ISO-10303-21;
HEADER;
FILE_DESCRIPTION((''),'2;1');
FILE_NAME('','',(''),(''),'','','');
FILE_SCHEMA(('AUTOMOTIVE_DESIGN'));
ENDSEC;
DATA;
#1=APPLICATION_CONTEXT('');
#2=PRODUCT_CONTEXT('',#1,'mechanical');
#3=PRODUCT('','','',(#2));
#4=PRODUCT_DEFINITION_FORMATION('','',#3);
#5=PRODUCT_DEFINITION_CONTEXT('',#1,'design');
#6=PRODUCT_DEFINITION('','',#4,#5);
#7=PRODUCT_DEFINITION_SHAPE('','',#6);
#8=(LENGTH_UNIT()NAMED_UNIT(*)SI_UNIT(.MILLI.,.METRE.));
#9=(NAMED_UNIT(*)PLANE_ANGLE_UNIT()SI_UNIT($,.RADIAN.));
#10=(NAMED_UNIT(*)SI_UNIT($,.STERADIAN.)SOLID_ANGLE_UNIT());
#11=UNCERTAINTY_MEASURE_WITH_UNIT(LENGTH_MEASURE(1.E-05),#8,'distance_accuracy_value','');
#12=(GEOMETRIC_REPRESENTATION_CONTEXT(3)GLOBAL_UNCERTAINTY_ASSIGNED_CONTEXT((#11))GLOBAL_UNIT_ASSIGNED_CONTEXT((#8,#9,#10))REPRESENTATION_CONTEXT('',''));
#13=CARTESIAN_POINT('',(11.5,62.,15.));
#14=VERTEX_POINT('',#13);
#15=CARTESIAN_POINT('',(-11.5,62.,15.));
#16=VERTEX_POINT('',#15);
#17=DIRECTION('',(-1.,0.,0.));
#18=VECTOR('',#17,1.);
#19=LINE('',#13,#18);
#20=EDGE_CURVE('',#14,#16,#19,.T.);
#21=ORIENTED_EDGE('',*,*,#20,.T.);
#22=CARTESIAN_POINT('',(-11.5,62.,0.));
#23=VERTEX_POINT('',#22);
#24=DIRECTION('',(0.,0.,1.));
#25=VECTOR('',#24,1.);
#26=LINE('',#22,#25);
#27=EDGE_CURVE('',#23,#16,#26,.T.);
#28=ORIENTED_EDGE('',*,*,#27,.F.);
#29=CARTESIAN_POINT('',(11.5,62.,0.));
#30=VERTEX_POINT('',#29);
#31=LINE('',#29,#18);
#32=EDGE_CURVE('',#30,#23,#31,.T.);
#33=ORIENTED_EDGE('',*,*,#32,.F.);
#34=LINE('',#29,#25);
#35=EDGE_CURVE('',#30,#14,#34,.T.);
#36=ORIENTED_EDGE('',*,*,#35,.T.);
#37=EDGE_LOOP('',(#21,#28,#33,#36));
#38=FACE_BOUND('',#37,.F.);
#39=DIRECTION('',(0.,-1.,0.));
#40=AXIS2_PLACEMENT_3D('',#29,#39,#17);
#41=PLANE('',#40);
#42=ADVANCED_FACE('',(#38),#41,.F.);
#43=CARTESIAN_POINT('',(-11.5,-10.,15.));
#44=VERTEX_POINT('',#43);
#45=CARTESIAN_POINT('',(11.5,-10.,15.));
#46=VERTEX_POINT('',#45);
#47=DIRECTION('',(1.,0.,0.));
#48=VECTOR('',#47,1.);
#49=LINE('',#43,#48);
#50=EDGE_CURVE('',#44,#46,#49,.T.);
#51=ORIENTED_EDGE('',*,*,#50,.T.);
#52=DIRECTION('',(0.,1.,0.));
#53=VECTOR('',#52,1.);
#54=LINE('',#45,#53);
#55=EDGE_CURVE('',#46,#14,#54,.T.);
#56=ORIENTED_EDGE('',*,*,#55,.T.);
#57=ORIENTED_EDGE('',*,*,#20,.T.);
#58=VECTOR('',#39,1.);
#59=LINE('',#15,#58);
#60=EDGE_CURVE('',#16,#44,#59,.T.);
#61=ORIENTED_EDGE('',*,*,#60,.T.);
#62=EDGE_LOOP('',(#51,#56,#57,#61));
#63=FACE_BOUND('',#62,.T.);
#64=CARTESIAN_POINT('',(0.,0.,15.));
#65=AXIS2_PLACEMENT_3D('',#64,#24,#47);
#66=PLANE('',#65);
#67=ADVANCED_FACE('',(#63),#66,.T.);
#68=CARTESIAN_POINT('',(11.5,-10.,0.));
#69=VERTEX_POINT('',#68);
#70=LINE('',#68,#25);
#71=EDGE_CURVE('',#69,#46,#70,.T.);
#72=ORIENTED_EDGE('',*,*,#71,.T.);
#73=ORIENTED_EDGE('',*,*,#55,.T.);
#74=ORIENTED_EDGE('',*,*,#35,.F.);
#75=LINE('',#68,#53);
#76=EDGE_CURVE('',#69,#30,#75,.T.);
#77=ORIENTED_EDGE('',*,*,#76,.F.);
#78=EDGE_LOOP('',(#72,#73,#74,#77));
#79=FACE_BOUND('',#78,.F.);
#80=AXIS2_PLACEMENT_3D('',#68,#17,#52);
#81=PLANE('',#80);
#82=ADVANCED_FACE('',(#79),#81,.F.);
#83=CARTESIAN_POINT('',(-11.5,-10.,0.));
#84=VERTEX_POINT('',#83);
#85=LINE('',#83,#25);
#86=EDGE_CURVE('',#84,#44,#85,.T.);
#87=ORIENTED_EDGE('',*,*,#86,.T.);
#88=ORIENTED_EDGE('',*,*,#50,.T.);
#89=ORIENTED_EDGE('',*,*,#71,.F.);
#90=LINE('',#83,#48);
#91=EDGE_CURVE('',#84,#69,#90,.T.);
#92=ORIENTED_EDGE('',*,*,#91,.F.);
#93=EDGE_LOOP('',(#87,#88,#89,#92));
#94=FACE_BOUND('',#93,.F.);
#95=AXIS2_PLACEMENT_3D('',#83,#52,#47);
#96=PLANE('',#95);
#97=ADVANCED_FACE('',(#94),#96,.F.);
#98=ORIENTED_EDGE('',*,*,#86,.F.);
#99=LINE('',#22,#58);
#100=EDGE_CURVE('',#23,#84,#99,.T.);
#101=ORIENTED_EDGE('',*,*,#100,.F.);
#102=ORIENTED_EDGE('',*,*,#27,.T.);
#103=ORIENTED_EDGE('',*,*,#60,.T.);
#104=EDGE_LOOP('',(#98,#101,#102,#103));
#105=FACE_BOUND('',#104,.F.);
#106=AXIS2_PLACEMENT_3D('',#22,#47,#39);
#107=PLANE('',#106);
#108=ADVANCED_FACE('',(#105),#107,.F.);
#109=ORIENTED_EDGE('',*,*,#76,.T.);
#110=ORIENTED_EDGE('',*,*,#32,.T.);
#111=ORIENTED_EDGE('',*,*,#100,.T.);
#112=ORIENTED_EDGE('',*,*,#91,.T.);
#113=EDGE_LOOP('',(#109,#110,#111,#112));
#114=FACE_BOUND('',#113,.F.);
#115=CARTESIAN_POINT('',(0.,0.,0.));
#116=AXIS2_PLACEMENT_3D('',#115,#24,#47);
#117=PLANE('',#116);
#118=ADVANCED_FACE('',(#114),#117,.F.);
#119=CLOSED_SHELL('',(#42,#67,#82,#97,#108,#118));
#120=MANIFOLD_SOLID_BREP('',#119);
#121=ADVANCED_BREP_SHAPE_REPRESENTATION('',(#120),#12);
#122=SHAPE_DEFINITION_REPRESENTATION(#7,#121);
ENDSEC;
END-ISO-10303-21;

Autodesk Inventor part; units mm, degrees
ref_plane "YZ Plane" through (0, 0, 0) normal (1, 0, 0) x (0, 1, 0)
ref_plane "XZ Plane" through (0, 0, 0) normal (0, 1, 0) x (-1, 0, 0)
ref_plane "XY Plane" through (0, 0, 0) normal (0, 0, 1) x (1, 0, 0)
sketch "Sketch1" plane through (0, 0, 0) normal (0, 0, 1) x (1, 0, 0)
  line L0 (-11.5, -10) -> (11.5, -10)
  line L1 (11.5, -10) -> (11.5, 62)
  line L2 (11.5, 62) -> (-11.5, 62)
  line L3 (-11.5, 62) -> (-11.5, -10)
  circle A0 centre (0, 0) radius 2.5
  point P0 (0, -10)
  dimension "d0" = 10
  dimension "d1" = 5
  dimension "d2" = 23
  dimension "d3" = 72
extrude "Extrusion1" add sketch "Sketch1" along normal blind 15 contours L3 L2 L1 L0 | A0
properties part number "link_g1" material "ABS Plastic"
